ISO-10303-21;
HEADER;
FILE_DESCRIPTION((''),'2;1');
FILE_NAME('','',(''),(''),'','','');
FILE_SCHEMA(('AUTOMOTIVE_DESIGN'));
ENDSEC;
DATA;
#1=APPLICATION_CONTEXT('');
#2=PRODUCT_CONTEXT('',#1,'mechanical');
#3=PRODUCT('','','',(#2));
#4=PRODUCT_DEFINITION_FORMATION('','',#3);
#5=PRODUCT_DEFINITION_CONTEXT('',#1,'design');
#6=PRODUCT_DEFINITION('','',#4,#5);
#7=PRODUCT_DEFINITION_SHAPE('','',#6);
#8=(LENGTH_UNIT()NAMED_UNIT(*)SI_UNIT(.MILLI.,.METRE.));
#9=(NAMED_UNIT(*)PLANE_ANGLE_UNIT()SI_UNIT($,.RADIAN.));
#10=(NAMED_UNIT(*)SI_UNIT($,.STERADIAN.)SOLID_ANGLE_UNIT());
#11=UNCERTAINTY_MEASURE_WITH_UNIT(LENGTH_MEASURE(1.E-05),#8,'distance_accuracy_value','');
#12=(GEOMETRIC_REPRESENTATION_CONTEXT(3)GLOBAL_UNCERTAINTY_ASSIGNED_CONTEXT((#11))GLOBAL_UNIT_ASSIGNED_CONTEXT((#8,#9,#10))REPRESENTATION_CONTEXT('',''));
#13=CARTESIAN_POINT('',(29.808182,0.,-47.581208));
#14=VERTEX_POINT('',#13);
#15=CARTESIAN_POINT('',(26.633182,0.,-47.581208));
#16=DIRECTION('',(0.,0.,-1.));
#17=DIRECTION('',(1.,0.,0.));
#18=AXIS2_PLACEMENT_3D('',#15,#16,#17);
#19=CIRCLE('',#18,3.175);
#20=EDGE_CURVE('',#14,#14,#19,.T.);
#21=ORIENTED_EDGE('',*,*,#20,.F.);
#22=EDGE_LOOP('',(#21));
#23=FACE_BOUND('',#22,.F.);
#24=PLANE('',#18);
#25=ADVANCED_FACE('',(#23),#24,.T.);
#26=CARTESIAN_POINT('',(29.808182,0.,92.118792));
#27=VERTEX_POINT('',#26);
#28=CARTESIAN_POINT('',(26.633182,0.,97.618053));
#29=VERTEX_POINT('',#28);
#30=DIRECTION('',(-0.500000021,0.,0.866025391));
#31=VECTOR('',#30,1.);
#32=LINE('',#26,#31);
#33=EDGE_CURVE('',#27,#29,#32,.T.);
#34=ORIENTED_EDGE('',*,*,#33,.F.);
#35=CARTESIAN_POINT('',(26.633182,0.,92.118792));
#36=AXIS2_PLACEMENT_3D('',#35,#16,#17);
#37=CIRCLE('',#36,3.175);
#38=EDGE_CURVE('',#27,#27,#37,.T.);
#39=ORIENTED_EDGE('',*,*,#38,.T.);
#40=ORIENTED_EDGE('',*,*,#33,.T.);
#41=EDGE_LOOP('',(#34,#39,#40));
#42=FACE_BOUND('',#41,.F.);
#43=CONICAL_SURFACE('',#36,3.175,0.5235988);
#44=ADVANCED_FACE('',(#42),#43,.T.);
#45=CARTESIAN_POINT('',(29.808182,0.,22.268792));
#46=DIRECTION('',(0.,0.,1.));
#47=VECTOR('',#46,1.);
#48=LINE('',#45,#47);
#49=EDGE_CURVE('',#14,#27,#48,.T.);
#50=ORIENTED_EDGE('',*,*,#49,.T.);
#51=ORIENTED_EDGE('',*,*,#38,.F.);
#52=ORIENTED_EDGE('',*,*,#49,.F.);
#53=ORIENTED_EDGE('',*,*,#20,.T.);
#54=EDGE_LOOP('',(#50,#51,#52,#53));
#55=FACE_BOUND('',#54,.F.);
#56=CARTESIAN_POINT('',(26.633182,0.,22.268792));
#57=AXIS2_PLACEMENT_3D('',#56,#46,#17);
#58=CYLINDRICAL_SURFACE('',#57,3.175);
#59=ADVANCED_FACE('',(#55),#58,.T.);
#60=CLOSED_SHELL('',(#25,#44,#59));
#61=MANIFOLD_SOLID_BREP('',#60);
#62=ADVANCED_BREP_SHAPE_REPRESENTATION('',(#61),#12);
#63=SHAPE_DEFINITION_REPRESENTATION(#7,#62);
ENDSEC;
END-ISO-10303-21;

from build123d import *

# Parameters (mm, degrees)
F0_W = 3.175
F0_H = 139.7


with BuildPart() as f1:
    # F0 (on Front) → F1 (revolve)
    with BuildSketch(Plane.XZ):
        Polygon((26.633182, 97.618053), (26.633182, 92.118792), (29.808182, 92.118792), align=None)
        with Locations((28.220682, 22.268792)):
            Rectangle(F0_W, F0_H)
    revolve(axis=Axis((26.633182, 0, 25.018422), (0, 0, -1)))


solid = f1.part
